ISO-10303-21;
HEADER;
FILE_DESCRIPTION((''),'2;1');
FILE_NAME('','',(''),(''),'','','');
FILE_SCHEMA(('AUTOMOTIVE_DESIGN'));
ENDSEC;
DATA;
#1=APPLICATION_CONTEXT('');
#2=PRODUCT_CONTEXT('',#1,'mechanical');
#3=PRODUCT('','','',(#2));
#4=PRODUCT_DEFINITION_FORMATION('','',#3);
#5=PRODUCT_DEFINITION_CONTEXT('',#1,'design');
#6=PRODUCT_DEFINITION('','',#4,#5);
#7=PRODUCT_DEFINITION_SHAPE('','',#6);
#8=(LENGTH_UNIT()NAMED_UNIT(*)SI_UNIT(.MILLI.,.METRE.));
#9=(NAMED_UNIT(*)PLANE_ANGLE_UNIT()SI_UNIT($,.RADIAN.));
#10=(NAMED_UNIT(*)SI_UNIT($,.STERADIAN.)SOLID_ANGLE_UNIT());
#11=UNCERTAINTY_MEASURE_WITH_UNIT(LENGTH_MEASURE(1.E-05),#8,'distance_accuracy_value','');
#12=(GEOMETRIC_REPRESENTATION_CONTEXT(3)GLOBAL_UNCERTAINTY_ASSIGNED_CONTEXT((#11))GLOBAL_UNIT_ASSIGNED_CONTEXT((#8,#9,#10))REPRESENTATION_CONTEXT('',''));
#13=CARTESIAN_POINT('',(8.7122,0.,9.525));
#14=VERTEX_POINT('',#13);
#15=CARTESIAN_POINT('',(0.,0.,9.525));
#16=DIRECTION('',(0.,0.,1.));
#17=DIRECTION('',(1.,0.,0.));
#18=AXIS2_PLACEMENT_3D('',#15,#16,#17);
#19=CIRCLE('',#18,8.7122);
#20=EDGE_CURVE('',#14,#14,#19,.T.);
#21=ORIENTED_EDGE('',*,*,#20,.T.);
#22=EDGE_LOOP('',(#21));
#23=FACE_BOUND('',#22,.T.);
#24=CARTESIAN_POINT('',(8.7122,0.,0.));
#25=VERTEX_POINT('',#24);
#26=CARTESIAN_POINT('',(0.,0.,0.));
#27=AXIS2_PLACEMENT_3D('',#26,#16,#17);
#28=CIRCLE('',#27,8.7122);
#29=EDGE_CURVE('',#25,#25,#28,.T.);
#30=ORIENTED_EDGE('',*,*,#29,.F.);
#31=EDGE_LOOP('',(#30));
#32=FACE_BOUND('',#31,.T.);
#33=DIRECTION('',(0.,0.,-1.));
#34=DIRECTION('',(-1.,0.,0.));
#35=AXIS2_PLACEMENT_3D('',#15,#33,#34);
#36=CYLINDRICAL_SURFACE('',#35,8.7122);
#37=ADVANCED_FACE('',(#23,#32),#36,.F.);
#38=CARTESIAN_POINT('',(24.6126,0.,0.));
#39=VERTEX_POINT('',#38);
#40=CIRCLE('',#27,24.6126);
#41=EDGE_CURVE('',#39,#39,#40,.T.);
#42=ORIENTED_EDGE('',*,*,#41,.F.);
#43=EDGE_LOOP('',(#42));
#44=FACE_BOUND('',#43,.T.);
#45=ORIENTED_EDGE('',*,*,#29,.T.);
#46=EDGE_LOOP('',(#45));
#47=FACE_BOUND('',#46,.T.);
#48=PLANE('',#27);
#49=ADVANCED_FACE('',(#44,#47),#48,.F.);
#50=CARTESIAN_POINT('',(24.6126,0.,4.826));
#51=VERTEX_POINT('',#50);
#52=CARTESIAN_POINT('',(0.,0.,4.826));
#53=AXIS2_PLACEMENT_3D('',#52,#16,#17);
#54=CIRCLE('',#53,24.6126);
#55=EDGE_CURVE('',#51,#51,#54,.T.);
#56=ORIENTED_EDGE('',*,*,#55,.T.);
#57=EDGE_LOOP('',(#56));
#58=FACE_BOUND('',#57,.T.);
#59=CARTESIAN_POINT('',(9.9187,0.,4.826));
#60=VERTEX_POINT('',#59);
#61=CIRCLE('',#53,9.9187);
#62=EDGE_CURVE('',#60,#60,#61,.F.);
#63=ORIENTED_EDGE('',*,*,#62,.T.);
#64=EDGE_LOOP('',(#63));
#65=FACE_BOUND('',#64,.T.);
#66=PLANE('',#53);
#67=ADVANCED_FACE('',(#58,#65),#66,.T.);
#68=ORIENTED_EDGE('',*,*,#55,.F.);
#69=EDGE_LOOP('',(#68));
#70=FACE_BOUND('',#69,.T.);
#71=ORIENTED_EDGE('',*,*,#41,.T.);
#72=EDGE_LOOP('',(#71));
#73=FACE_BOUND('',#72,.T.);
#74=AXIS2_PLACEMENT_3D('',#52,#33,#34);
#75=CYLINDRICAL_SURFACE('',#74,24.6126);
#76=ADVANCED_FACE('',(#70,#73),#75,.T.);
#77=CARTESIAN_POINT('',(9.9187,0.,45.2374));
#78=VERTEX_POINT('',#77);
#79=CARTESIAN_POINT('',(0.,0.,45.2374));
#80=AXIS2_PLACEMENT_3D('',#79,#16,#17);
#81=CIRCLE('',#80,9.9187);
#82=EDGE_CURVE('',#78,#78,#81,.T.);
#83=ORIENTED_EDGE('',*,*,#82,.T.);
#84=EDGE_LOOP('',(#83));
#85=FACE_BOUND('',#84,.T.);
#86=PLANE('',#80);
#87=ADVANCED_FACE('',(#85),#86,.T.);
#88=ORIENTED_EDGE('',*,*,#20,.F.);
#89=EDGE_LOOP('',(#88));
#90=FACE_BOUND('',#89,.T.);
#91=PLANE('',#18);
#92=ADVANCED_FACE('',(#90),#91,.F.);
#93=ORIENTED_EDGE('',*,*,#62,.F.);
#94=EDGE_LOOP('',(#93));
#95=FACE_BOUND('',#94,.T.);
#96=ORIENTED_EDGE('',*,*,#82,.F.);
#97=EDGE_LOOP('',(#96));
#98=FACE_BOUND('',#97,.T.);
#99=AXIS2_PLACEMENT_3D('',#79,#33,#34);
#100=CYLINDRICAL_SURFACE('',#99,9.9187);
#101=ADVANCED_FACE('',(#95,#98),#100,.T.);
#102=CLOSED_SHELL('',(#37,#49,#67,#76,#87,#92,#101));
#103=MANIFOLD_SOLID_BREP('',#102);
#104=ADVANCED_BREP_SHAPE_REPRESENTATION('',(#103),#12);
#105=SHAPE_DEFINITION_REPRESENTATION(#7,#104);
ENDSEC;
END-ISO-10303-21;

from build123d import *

# Parameters (mm, degrees)
SKETCH1_R           = 24.6126
BOSS_EXTRUDE1_DEPTH = 4.826
SKETCH2_R           = 9.9187
BOSS_EXTRUDE2_DEPTH = 45.2374
SKETCH3_R           = 8.7122
CUT_EXTRUDE1_DEPTH  = 9.525


with BuildPart() as part:
    # Sketch1 → Boss-Extrude1 (new body)
    with BuildSketch(Plane.XY):
        Circle(SKETCH1_R)
    extrude(amount=BOSS_EXTRUDE1_DEPTH)

    # Sketch2 → Boss-Extrude2 (add)
    with BuildSketch(Plane.XY):
        Circle(SKETCH2_R)
    extrude(amount=BOSS_EXTRUDE2_DEPTH)

    # Sketch3 → Cut-Extrude1 (cut)
    with BuildSketch(Plane.XY):
        Circle(SKETCH3_R)
    extrude(amount=CUT_EXTRUDE1_DEPTH, mode=Mode.SUBTRACT)


solid = part.part
